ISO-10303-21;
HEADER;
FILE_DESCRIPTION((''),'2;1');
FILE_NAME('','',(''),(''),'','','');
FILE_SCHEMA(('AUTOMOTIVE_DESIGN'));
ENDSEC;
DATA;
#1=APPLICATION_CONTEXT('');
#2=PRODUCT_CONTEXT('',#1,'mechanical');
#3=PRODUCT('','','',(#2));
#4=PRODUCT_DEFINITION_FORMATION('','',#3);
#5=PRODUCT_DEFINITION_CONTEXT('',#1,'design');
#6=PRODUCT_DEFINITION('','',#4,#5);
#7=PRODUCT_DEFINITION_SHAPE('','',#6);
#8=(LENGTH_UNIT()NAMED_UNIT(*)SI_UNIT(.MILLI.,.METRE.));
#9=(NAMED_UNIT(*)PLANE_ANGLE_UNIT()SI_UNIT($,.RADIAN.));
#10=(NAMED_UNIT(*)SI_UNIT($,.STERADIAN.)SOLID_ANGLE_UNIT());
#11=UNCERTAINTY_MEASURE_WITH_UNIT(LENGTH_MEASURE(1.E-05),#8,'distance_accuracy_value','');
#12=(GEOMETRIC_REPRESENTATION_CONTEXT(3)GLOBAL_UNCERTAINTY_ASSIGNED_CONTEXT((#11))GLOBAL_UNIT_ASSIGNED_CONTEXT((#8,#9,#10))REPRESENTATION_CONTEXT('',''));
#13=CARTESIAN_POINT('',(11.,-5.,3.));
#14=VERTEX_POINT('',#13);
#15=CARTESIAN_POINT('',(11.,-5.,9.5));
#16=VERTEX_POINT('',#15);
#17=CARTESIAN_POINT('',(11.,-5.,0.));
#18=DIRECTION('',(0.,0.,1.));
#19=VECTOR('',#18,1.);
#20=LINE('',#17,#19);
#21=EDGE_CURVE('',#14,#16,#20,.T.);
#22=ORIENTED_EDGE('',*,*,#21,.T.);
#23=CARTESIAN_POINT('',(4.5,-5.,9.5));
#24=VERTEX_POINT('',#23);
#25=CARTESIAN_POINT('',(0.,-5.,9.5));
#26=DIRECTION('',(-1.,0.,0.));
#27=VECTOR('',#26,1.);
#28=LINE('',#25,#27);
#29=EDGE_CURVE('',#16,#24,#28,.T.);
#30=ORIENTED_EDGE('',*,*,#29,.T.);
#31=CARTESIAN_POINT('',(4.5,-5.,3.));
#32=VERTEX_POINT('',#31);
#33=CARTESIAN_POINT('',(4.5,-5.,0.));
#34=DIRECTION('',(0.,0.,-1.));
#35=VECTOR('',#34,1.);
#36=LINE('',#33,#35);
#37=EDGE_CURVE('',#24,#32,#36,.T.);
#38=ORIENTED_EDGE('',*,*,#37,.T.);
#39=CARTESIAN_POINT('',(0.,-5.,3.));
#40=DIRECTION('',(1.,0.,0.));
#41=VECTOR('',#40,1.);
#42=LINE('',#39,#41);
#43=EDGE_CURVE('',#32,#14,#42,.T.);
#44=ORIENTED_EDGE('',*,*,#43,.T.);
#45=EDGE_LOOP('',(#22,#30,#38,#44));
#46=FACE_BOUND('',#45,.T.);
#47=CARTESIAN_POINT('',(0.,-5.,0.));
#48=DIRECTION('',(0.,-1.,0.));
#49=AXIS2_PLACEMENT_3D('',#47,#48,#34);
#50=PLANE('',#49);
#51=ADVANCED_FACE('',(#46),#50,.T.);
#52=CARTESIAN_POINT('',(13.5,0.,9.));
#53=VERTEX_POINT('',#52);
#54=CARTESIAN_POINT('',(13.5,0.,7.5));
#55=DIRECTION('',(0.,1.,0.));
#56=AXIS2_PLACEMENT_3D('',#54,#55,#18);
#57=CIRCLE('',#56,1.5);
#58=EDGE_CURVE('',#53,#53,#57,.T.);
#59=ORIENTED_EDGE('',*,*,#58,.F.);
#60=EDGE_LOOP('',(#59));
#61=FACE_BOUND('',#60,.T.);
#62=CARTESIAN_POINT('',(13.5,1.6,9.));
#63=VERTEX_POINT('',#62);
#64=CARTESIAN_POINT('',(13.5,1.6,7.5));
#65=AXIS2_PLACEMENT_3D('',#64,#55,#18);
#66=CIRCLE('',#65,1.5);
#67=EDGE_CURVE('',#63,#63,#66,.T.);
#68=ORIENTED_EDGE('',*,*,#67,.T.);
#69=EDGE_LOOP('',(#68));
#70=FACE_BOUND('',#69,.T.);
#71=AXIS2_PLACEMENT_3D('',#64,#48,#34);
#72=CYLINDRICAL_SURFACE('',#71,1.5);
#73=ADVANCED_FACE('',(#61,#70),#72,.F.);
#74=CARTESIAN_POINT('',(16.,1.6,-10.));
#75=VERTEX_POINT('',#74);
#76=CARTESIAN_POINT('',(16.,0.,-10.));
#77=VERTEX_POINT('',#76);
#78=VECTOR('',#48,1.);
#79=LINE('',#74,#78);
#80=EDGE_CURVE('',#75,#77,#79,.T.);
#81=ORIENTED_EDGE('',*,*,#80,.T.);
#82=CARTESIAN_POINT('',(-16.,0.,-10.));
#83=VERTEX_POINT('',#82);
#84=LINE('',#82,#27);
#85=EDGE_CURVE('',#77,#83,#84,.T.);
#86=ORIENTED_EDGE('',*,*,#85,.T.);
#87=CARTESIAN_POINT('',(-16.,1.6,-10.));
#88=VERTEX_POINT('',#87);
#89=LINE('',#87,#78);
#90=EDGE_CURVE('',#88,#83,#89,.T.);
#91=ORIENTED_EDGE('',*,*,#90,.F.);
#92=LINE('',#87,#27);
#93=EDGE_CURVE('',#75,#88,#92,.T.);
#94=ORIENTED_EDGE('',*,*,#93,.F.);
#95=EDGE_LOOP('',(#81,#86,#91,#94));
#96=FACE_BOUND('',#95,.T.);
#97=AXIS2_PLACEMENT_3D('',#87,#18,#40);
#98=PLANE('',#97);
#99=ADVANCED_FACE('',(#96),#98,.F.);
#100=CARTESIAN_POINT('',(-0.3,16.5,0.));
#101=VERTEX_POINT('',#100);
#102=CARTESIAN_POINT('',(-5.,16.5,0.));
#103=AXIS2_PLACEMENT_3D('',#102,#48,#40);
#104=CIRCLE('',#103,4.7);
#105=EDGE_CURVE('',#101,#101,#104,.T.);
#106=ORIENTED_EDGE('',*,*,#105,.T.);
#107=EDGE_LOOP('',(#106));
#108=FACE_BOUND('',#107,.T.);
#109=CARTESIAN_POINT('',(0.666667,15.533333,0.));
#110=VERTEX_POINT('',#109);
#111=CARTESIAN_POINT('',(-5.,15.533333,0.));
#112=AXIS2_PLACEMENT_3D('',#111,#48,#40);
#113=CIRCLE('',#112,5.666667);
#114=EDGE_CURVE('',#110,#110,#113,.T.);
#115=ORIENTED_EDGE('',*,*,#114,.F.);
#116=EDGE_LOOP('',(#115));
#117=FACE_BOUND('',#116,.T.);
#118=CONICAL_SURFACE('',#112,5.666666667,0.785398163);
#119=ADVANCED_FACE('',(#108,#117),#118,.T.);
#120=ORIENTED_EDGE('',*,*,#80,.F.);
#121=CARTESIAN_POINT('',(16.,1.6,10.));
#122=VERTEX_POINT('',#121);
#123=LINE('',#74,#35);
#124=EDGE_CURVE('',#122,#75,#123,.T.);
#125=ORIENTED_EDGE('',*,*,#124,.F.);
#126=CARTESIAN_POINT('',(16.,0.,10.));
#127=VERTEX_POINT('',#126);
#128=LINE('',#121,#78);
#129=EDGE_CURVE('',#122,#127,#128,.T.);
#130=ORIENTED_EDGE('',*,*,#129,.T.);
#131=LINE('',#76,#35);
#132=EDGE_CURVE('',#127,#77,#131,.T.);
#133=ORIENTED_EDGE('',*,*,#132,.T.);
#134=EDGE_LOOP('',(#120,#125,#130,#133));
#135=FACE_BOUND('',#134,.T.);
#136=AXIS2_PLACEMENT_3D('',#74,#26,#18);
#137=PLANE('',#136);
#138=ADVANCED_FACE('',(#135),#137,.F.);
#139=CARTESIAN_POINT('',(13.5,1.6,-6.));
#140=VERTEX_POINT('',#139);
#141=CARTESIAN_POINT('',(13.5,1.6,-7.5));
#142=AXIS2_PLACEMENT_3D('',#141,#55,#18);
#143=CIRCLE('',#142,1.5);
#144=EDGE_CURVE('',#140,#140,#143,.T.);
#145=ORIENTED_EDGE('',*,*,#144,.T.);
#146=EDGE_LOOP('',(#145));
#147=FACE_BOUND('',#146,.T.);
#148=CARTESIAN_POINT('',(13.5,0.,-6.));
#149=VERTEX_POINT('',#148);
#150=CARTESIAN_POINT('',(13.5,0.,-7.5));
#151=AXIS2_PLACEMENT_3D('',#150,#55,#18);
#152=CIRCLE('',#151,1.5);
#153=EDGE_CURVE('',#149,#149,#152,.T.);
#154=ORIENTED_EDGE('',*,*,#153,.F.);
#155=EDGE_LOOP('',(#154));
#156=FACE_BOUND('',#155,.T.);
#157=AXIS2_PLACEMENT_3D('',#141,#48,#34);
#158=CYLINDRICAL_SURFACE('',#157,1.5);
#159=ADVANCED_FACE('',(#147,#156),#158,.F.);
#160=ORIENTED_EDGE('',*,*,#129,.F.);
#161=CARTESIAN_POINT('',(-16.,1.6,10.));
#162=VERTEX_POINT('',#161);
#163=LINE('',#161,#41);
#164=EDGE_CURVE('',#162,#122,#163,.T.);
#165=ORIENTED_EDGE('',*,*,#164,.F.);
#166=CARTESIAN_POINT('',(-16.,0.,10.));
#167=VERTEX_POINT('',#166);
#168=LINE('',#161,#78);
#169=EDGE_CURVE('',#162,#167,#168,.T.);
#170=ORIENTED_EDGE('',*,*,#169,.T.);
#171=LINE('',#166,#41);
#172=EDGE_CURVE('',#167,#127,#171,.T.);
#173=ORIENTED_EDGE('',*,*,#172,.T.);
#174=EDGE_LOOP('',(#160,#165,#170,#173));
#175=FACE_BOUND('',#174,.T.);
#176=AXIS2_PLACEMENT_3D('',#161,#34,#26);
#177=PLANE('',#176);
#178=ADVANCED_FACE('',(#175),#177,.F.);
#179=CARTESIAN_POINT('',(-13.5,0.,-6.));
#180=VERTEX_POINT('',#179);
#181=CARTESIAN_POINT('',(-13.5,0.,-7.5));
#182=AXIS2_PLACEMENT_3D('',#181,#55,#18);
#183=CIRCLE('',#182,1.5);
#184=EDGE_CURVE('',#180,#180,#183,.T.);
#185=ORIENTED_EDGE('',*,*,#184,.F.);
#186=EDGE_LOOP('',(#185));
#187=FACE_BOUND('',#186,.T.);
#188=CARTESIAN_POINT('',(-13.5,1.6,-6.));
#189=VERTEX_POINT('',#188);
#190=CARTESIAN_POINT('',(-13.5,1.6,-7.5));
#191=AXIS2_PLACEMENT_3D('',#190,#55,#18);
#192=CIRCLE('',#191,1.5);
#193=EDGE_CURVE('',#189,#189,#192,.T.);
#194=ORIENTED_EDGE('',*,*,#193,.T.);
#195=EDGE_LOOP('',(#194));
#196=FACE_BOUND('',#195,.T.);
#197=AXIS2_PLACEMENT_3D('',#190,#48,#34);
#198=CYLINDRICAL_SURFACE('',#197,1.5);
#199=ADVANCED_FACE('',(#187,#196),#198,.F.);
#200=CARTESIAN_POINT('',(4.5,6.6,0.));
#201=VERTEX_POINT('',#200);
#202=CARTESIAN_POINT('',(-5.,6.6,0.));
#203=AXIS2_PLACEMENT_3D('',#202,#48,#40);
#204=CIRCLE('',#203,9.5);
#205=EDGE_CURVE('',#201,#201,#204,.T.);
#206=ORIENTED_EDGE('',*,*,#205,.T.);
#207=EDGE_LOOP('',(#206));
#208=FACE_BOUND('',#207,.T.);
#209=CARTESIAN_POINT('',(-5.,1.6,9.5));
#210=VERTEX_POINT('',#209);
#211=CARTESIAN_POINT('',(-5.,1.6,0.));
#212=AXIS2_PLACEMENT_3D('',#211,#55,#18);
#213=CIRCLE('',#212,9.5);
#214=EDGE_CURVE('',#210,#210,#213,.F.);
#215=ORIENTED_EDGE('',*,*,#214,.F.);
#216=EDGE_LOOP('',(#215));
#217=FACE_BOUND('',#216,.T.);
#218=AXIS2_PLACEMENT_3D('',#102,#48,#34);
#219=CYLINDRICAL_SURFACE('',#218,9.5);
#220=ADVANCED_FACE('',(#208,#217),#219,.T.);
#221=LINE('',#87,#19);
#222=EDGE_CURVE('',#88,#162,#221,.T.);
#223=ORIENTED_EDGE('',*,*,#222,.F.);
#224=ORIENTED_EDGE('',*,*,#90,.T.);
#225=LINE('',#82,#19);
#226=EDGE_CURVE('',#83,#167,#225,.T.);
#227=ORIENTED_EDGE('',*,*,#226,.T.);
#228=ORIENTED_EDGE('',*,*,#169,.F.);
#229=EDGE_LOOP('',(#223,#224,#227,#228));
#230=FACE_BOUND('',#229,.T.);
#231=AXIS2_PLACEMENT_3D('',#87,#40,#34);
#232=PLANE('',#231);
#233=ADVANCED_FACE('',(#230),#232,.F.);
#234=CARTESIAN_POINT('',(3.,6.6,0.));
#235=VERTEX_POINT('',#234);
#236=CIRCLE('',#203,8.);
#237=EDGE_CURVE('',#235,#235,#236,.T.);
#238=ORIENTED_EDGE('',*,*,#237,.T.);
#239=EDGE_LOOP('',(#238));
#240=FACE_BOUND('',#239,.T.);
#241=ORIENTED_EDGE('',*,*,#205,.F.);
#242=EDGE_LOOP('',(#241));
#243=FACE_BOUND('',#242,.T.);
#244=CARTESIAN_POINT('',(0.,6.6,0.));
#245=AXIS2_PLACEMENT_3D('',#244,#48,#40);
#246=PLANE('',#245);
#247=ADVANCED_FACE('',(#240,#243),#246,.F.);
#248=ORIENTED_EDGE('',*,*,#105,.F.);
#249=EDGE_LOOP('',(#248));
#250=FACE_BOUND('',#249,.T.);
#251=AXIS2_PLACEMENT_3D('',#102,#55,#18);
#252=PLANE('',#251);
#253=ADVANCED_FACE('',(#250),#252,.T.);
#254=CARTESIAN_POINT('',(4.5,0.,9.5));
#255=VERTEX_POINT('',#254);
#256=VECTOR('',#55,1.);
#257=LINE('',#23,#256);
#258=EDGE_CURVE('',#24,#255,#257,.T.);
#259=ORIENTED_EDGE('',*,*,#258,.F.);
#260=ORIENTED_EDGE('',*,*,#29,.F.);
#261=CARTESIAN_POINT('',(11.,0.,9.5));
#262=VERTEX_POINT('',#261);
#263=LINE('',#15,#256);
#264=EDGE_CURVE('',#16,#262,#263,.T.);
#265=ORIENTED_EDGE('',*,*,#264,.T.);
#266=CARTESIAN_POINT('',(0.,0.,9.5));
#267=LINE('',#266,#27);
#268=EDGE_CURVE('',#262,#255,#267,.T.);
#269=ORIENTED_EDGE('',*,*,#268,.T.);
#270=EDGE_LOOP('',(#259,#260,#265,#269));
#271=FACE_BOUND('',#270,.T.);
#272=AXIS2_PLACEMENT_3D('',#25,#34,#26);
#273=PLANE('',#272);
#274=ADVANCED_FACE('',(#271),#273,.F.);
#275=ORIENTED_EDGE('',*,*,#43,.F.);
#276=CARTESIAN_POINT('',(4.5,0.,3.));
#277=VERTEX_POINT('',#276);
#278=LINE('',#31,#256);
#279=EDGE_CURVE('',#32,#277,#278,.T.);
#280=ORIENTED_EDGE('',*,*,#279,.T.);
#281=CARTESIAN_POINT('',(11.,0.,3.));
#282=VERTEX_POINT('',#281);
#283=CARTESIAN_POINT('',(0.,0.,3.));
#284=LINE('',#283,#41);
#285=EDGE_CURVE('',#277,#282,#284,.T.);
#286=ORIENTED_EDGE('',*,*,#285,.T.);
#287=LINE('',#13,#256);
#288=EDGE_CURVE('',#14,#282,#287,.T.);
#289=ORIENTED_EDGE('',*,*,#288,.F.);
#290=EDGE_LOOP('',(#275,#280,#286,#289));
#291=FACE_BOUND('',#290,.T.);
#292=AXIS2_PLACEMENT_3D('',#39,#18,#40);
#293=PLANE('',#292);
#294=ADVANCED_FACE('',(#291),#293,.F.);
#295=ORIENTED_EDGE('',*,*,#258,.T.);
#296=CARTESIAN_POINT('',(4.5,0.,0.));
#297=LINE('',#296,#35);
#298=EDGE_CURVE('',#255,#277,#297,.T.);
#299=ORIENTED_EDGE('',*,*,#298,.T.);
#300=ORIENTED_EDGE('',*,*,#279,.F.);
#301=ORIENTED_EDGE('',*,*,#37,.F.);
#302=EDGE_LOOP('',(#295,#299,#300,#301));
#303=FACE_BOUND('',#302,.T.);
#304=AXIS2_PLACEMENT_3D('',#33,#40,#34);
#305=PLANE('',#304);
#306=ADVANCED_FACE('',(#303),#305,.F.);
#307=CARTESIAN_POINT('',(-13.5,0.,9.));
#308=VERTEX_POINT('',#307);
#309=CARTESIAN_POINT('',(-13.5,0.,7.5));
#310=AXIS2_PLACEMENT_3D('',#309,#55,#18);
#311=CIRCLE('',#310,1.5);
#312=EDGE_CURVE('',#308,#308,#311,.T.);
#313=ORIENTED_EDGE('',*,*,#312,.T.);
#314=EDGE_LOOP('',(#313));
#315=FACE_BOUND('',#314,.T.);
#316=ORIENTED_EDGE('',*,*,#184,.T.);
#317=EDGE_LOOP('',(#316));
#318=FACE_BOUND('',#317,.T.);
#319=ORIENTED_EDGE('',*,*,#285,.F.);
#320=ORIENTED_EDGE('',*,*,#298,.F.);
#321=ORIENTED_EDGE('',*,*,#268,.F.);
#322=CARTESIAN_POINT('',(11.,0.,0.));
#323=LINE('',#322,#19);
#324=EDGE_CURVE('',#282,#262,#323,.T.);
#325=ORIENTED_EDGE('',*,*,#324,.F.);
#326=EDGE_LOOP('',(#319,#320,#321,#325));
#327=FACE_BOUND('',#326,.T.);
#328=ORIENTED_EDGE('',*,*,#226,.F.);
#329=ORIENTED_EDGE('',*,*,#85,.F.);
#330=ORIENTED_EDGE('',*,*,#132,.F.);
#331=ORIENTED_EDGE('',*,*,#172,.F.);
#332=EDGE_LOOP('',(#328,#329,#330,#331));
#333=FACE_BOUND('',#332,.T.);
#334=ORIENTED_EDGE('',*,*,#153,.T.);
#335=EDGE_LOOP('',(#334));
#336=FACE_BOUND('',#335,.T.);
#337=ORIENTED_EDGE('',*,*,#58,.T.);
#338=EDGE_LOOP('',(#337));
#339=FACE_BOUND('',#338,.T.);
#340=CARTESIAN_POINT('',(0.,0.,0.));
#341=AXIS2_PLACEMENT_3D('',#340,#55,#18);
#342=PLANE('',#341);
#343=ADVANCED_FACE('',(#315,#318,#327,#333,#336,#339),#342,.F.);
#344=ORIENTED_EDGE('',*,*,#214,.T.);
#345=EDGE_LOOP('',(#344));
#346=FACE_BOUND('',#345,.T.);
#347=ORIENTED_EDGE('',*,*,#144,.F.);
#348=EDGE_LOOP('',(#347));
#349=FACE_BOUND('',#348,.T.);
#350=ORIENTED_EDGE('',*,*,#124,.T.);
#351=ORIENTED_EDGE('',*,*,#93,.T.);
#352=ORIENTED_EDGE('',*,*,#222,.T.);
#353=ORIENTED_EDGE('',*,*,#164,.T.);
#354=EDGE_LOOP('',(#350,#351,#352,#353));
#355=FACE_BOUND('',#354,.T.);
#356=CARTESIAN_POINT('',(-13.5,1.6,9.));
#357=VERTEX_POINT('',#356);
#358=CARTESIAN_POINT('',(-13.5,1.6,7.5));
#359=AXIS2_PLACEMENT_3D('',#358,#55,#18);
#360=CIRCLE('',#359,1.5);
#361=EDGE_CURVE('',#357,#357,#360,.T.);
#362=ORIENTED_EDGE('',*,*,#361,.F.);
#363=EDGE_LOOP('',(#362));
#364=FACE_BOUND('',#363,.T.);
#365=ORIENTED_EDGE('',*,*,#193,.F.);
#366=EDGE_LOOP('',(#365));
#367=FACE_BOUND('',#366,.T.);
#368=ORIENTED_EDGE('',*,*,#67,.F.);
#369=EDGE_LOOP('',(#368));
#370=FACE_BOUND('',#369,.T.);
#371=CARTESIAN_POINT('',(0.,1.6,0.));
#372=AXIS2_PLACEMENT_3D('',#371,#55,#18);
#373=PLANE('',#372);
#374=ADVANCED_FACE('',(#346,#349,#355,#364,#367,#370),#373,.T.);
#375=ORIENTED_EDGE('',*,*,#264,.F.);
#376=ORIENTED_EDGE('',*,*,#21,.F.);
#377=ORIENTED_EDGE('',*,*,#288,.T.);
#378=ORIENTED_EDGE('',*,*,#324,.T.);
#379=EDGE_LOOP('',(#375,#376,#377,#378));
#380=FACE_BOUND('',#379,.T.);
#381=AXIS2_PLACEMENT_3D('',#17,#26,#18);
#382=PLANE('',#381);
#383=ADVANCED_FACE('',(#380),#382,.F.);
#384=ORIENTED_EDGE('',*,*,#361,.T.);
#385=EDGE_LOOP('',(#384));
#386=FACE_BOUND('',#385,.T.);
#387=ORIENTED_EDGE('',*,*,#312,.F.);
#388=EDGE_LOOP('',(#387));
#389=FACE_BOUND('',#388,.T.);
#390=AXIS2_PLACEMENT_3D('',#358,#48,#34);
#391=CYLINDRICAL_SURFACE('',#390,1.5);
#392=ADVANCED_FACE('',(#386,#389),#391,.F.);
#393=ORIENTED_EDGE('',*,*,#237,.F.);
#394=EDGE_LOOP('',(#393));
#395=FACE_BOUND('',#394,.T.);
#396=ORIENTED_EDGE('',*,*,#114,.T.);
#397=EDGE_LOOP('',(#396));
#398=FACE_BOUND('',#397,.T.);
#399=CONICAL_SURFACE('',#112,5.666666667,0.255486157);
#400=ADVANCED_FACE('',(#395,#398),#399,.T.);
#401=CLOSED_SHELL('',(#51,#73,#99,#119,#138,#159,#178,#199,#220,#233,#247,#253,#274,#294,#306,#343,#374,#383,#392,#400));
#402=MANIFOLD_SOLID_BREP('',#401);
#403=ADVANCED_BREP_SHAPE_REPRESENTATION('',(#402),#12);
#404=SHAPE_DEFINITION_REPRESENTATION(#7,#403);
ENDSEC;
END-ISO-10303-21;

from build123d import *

# Parameters (mm, degrees)
SKETCH_1_W      = 32
SKETCH_1_H      = 20
SKETCH_1_R      = 1.5
EXTRUDE_1_DEPTH = 1.6
SKETCH_2_W      = 6.5
SKETCH_2_H      = 6.5
EXTRUDE_2_DEPTH = 5
SKETCH_3_R      = 9.5
EXTRUDE_3_DEPTH = 16.5


with BuildPart() as part:
    # 草图1 → 凸台-拉伸1 (new body)
    with BuildSketch(Plane(origin=(0, 0, 0), x_dir=(1, 0, 0), z_dir=(0, 1, 0))):
        Rectangle(SKETCH_1_W, SKETCH_1_H)
        with Locations(Location((-13.5, 7.5, 0), (0, 0, 270))):
            Circle(SKETCH_1_R, mode=Mode.SUBTRACT)
        with Locations(Location((13.5, 7.5, 0), (0, 0, 270))):
            Circle(SKETCH_1_R, mode=Mode.SUBTRACT)
        with Locations(Location((-13.5, -7.5, 0), (0, 0, 270))):
            Circle(SKETCH_1_R, mode=Mode.SUBTRACT)
        with Locations(Location((13.5, -7.5, 0), (0, 0, 270))):
            Circle(SKETCH_1_R, mode=Mode.SUBTRACT)
    extrude(amount=EXTRUDE_1_DEPTH)

    # 草图2 → 凸台-拉伸2 (add)
    with BuildSketch(Plane(origin=(0, 0, 0), x_dir=(1, 0, 0), z_dir=(0, 1, 0))):
        with Locations((7.75, -6.25)):
            Rectangle(SKETCH_2_W, SKETCH_2_H)
    extrude(amount=-EXTRUDE_2_DEPTH)

    # 草图3 → 凸台-拉伸3 (add)
    with BuildSketch(Plane(origin=(0, 0, 0), x_dir=(1, 0, 0), z_dir=(0, 1, 0))):
        with Locations(Location((-5, 0, 0), (0, 0, 270))):
            Circle(SKETCH_3_R)
    extrude(amount=EXTRUDE_3_DEPTH)

    # 草图4 → 切除-旋转2 (revolve, cut)
    with BuildSketch(Plane.XY):
        Polygon((-0.3, 16.5), (0.5, 16.5), (4.5, 16.5), (4.5, 6.6), (3, 6.6), (0.666666667, 15.533333333), align=None)
    revolve(axis=Axis((-5, -983.5, 0), (0, 1, 0)), mode=Mode.SUBTRACT)


solid = part.part
